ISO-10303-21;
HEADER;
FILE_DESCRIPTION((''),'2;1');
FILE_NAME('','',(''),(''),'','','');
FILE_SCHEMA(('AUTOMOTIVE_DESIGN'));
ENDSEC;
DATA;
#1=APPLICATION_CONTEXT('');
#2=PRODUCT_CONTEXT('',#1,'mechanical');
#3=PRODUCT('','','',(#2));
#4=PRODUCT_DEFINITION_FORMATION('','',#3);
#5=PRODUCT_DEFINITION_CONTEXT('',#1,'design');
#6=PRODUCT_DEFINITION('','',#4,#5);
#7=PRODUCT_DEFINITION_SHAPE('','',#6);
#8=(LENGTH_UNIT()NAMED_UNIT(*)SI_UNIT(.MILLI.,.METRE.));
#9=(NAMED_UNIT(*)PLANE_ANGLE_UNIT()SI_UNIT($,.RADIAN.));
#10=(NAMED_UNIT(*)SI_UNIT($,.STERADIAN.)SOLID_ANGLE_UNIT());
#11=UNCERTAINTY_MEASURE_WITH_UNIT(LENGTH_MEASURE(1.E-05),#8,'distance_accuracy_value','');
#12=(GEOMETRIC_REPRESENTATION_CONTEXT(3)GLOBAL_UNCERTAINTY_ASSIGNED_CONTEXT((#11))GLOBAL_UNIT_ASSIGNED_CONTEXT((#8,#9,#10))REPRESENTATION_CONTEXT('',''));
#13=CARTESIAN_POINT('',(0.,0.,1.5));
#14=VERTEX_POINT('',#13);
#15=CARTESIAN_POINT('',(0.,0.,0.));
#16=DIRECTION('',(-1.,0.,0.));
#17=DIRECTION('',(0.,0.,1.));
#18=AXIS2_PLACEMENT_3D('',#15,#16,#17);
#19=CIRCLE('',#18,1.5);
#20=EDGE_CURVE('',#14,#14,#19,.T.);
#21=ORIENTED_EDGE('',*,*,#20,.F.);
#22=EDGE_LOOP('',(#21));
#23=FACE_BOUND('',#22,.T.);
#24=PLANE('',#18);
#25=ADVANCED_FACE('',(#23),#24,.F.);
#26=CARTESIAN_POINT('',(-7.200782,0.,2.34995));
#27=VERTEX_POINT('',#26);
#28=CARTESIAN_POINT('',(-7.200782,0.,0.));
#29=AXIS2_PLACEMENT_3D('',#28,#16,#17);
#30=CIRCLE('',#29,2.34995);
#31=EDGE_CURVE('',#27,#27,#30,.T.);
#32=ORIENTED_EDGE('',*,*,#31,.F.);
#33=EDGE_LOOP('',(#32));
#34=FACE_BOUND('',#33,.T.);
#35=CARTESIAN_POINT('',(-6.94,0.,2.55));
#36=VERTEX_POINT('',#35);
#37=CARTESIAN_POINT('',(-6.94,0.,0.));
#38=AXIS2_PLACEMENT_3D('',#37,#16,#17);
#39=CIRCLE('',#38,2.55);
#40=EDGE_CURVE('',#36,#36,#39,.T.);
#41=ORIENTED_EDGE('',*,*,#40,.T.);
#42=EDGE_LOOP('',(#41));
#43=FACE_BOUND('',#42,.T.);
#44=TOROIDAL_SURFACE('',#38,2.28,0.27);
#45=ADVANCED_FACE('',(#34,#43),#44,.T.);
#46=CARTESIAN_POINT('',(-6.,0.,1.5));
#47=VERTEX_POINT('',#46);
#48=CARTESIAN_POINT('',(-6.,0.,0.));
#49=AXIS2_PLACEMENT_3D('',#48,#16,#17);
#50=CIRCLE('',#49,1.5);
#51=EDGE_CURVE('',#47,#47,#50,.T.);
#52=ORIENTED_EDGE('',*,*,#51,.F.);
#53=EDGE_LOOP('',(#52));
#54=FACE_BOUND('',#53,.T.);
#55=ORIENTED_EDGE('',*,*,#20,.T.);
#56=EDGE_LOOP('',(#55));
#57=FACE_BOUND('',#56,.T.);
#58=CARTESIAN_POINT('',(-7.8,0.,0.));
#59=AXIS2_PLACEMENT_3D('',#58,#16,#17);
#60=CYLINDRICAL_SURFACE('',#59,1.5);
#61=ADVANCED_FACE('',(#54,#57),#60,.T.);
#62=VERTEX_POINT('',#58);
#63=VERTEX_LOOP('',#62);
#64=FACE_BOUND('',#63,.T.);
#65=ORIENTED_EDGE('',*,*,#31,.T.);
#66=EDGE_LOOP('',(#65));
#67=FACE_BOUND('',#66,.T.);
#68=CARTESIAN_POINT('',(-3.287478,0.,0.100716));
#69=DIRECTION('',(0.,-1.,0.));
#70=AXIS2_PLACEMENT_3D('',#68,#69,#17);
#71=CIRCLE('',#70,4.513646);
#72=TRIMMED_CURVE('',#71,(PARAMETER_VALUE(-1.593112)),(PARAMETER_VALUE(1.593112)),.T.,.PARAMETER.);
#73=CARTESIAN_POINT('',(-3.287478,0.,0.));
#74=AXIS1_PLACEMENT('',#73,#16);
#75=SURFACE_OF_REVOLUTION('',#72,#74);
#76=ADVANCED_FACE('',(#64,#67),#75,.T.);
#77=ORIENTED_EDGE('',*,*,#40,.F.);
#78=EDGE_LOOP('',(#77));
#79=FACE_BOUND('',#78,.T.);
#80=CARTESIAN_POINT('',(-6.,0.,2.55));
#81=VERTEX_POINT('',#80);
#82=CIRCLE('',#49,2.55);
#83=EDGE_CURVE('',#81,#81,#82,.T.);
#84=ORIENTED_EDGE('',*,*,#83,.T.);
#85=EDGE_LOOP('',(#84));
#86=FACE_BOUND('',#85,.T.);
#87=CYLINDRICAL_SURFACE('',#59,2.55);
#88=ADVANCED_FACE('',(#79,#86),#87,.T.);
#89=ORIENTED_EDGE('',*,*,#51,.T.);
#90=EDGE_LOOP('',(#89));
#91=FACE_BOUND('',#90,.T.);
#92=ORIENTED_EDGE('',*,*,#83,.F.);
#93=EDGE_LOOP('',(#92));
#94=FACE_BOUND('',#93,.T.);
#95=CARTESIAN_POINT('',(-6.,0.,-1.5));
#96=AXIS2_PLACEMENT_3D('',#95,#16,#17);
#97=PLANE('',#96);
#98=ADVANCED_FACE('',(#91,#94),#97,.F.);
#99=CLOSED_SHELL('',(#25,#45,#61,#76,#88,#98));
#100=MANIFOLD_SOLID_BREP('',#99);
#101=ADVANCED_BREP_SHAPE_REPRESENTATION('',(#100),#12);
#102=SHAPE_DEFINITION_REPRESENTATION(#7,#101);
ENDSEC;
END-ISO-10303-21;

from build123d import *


with BuildPart() as part:
    # Çizim1 → Döndür1 (revolve)
    with BuildSketch(Plane(origin=(0, 0, 0), x_dir=(1, 0, 0), z_dir=(0, 1, 0))):
        with BuildLine():
            Line((-7.8, 0), (0, 0))
            Line((0, 0), (0, 1.5))
            Line((0, 1.5), (-6, 1.5))
            Line((-6, 1.5), (-6, 2.55))
            Line((-6, 2.55), (-6.94, 2.55))
            ThreePointArc((-6.94, 2.55), (-7.104337344, 2.49422707), (-7.200781538, 2.349949907))
            ThreePointArc((-7.200781538, 2.349949907), (-7.661172102, 1.21597291), (-7.8, 0))
        make_face()
    revolve(axis=Axis((-7.8, 0, 0), (1, 0, 0)))


solid = part.part
